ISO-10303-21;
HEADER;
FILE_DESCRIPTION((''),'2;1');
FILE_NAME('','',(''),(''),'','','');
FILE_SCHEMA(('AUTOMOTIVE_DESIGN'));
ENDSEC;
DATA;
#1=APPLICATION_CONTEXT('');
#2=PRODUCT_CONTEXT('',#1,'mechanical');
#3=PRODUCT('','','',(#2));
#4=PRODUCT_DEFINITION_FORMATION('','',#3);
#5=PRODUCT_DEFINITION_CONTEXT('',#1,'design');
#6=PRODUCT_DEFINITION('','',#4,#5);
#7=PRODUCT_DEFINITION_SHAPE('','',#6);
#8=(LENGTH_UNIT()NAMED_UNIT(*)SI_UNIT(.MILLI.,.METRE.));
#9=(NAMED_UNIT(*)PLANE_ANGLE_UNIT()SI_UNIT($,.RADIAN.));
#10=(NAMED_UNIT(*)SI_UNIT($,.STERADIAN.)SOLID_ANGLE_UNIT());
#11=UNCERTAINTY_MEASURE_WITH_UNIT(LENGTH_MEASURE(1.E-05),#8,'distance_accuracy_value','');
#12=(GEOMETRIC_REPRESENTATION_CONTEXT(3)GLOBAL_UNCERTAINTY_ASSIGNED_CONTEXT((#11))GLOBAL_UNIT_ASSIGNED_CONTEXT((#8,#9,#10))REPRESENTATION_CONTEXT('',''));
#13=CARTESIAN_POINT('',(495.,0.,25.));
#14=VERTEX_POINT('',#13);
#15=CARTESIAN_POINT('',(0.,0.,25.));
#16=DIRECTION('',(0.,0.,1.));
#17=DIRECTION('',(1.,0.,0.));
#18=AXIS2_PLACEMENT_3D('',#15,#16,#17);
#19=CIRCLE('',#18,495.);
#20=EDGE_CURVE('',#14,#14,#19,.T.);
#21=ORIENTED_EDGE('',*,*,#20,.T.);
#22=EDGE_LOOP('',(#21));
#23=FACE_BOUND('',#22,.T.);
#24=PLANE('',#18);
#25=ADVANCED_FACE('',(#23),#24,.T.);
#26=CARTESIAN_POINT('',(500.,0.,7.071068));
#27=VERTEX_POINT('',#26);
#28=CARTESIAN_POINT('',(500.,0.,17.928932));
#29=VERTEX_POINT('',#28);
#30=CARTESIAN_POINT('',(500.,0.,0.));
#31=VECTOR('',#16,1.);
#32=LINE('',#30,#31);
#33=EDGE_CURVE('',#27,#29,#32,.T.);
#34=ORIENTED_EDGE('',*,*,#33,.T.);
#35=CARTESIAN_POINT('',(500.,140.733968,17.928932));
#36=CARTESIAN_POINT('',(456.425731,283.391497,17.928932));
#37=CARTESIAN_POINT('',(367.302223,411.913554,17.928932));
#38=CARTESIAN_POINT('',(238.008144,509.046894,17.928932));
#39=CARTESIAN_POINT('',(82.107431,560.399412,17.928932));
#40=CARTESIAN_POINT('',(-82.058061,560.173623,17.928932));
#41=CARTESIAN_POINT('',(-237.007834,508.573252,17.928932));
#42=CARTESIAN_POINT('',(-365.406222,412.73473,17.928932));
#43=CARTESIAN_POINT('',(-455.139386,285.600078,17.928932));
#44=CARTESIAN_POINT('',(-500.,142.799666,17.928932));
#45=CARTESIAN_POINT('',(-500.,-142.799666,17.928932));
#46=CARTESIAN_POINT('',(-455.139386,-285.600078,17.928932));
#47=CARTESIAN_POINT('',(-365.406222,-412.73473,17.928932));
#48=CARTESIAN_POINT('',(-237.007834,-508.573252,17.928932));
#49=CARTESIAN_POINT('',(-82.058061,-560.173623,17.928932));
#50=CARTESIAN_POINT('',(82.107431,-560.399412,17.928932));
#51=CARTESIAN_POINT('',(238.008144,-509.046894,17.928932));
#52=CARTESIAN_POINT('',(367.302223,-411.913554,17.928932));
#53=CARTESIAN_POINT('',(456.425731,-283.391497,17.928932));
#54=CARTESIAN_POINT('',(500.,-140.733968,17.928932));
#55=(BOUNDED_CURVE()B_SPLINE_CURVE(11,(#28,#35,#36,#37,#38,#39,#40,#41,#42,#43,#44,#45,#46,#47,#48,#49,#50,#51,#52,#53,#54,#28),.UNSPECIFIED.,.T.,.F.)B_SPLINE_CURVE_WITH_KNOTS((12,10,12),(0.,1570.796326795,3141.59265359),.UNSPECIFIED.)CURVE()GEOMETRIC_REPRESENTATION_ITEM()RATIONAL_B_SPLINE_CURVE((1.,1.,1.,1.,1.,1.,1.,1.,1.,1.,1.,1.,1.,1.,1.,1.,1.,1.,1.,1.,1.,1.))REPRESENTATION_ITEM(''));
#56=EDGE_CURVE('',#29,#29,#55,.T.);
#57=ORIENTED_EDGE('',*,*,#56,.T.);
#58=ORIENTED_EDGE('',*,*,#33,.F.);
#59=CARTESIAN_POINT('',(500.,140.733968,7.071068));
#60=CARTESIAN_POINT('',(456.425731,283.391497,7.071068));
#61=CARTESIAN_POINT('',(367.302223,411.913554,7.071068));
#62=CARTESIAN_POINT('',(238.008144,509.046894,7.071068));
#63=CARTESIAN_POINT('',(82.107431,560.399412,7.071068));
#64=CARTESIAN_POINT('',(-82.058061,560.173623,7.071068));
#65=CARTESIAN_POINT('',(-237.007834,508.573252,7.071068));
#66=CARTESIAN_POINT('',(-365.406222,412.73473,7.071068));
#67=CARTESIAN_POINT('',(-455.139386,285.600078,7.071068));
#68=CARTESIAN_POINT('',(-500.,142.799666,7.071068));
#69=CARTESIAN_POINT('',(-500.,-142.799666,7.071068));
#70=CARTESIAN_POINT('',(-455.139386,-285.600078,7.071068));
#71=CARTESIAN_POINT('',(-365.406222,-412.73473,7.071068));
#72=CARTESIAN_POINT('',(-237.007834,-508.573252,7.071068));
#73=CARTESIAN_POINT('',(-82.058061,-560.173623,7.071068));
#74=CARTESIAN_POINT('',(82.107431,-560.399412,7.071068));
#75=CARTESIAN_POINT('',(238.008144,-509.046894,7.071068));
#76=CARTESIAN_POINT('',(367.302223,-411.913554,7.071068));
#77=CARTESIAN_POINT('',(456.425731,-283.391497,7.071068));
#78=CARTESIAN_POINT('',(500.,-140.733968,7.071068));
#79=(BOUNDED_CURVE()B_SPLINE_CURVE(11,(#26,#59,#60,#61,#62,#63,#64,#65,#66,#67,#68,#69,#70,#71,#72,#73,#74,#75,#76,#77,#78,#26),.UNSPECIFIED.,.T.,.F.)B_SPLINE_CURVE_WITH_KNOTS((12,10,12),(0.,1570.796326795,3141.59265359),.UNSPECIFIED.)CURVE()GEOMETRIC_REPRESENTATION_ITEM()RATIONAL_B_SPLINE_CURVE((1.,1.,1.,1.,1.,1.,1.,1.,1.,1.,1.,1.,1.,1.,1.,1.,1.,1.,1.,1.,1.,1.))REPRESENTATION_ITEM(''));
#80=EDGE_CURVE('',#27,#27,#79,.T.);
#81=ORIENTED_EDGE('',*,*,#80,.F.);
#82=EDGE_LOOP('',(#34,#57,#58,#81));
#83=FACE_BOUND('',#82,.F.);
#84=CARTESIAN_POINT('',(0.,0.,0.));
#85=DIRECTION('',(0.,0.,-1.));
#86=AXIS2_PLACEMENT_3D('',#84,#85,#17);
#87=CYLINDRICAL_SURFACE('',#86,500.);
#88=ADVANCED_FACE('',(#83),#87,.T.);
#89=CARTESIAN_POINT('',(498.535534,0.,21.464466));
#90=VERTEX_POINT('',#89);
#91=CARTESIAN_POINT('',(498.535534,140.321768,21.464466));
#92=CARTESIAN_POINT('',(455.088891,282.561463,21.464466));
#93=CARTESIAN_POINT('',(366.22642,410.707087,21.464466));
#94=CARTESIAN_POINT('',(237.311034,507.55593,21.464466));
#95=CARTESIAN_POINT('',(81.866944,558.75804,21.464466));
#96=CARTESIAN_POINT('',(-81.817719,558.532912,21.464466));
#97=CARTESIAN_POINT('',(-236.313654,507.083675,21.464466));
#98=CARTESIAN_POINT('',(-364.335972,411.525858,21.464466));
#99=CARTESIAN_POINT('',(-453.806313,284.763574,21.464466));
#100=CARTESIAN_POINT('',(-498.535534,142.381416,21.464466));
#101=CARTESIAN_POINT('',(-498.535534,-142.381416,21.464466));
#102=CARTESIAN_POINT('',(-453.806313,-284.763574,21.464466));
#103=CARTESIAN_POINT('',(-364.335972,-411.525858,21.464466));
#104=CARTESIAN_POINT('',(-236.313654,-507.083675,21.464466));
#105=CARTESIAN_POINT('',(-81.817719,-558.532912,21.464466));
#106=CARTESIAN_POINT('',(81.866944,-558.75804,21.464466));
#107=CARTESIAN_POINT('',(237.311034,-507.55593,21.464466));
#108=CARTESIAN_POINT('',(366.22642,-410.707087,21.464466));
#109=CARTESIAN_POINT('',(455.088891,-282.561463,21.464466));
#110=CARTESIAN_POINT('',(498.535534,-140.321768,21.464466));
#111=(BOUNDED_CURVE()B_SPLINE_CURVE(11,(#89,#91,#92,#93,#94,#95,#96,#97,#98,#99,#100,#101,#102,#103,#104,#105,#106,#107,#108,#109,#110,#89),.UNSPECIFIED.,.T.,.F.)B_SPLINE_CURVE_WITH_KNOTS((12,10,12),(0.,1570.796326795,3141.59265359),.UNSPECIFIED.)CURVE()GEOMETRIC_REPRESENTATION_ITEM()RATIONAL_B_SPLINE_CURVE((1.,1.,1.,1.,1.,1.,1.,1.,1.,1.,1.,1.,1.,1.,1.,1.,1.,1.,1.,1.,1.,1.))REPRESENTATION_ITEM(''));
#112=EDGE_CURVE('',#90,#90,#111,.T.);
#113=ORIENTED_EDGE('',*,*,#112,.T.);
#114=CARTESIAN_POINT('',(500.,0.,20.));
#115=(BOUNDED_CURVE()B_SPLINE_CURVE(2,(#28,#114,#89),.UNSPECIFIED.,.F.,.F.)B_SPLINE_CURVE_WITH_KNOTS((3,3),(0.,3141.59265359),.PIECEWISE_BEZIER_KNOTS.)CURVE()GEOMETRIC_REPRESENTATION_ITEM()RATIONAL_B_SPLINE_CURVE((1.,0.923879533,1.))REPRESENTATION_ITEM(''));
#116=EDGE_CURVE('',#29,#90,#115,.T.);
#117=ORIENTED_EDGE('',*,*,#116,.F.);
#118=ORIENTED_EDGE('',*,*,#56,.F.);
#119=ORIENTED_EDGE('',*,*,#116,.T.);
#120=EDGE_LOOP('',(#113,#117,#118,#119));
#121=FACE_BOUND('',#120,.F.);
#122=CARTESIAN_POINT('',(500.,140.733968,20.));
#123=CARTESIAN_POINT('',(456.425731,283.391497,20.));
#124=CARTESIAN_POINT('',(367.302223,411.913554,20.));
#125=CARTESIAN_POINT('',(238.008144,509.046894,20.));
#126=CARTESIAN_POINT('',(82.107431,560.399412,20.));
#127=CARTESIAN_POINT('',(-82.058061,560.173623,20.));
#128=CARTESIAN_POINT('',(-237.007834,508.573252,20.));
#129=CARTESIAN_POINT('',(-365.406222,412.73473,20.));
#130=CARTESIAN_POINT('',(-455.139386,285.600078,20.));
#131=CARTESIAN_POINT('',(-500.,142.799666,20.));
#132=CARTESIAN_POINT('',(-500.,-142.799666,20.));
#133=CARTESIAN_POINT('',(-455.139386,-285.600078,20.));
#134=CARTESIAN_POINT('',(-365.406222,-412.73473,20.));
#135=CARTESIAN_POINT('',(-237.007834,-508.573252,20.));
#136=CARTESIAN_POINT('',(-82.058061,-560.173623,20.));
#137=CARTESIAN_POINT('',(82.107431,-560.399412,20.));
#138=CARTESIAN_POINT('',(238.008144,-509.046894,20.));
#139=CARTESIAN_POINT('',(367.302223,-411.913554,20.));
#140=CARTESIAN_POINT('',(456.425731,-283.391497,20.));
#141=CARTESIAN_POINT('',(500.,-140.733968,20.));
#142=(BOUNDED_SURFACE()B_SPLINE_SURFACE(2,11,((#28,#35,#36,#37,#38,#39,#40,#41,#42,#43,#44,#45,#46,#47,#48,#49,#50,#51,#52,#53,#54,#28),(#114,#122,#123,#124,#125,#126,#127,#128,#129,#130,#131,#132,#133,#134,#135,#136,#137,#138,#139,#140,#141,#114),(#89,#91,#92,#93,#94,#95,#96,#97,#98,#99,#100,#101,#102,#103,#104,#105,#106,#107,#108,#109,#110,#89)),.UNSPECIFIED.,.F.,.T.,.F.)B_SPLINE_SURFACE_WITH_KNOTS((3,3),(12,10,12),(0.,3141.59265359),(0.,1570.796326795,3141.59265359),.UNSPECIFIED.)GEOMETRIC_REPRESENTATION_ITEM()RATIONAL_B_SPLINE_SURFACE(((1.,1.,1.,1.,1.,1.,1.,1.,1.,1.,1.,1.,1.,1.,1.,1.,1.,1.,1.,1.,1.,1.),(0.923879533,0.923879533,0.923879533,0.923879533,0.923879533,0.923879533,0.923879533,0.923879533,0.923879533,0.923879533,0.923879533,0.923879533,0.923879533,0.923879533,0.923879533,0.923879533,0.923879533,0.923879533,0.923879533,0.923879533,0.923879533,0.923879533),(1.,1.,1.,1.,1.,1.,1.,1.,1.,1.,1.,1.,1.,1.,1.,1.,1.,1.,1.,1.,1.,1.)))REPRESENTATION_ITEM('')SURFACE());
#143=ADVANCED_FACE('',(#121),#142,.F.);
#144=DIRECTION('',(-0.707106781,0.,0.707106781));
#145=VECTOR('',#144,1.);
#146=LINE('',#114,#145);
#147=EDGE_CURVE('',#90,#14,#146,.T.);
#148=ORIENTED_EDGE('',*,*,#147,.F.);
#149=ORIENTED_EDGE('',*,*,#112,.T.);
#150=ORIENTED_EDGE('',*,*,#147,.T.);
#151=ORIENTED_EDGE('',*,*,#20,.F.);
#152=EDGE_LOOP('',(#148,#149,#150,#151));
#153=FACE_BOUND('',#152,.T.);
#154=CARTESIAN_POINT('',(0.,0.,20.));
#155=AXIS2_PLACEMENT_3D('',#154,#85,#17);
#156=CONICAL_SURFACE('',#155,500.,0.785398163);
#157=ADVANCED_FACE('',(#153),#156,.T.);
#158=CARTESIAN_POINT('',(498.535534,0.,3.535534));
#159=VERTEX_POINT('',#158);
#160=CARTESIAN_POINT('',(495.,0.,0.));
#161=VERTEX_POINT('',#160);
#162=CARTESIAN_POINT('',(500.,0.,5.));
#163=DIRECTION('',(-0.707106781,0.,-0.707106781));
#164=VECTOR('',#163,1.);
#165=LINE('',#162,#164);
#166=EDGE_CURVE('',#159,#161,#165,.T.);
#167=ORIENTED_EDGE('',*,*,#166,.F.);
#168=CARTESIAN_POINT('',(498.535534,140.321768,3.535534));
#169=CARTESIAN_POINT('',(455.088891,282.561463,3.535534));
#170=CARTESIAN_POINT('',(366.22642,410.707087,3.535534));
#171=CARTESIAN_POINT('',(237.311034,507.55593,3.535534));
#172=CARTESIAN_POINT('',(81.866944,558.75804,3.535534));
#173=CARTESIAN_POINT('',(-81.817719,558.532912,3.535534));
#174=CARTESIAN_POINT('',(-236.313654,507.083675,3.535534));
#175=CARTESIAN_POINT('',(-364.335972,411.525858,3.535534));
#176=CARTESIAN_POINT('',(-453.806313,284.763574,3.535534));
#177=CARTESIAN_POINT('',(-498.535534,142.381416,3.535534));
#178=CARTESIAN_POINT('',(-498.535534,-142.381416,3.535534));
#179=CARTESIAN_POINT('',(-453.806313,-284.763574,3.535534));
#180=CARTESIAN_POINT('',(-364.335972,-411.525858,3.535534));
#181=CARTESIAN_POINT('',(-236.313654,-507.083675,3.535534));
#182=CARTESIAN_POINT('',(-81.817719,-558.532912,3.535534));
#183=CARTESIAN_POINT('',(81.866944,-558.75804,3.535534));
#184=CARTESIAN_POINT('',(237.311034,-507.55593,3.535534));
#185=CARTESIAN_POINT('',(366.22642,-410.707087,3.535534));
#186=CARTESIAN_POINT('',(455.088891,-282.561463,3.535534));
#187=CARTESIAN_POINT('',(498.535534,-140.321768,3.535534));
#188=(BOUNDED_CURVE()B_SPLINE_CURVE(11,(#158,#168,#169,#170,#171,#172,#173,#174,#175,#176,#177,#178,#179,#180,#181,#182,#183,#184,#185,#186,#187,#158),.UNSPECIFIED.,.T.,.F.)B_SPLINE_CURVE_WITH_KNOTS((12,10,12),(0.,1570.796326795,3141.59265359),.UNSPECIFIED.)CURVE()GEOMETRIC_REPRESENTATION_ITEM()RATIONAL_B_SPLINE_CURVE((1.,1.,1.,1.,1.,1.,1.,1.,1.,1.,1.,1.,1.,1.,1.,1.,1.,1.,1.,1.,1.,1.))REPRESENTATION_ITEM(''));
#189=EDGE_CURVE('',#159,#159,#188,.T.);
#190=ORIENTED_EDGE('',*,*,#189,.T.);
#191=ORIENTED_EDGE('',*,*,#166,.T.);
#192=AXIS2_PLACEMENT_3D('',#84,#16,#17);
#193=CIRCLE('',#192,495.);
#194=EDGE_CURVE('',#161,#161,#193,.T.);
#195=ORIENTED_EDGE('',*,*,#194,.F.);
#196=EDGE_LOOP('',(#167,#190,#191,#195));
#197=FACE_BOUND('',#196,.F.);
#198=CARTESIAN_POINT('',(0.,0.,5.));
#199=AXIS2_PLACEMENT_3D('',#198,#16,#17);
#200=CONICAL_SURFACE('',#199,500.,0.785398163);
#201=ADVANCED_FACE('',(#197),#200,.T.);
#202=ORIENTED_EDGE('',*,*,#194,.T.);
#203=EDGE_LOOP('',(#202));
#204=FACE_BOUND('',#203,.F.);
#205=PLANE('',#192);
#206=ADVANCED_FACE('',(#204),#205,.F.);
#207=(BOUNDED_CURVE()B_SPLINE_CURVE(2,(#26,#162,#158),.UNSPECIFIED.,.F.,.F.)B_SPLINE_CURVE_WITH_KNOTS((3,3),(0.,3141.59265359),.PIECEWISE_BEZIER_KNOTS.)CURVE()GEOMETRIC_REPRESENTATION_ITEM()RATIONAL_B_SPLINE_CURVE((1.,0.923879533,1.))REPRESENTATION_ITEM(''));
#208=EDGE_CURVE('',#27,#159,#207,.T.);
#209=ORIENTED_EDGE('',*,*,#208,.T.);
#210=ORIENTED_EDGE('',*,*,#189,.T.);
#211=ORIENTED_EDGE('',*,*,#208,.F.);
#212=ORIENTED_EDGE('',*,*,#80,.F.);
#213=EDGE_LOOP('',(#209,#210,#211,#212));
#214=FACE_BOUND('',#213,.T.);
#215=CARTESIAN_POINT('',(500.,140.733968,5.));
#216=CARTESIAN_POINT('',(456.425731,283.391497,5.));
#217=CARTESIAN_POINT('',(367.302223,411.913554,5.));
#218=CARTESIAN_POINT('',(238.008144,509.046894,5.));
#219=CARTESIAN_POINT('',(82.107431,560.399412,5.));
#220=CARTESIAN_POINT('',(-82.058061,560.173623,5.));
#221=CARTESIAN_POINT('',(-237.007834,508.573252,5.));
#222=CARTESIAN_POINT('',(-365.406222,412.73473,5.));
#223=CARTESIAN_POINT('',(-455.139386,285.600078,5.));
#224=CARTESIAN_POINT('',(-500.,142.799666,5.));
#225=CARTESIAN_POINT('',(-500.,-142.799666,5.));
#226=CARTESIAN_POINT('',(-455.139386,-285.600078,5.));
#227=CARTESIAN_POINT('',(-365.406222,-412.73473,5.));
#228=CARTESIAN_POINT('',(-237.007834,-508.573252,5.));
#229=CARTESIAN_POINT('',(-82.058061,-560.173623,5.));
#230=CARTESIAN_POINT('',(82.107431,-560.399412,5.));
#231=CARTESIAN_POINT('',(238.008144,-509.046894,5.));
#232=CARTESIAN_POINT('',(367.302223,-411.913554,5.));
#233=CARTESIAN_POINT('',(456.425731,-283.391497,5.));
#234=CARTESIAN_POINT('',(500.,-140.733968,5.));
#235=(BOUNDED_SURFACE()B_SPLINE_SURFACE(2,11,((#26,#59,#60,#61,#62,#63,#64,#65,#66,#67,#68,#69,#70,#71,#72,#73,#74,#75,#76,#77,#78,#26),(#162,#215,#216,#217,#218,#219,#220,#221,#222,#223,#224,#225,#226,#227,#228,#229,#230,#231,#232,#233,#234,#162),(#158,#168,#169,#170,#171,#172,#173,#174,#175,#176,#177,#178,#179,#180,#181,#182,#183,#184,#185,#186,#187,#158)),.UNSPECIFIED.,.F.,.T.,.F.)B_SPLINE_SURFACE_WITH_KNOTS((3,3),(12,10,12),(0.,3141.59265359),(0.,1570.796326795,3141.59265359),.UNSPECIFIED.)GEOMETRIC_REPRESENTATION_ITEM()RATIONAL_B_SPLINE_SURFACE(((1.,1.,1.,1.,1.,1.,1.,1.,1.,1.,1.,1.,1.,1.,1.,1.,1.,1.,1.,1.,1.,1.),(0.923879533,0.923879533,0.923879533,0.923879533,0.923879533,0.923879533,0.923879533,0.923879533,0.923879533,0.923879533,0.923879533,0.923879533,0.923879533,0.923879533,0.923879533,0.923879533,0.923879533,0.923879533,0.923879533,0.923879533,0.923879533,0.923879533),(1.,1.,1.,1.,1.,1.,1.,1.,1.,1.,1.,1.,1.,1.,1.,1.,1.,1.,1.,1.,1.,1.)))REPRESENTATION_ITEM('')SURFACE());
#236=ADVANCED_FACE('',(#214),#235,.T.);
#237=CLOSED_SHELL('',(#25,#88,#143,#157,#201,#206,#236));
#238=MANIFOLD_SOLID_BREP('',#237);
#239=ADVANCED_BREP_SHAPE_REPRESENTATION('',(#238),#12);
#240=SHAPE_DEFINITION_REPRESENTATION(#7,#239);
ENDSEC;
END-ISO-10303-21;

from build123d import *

# Parameters (mm, degrees)
F0_R     = 500
F1_DEPTH = 25
F2_SIZE  = 5
F3_R     = 5


with BuildPart() as f1:
    # F0 (on Top) → F1 (new body)
    with BuildSketch(Plane.XY):
        Circle(F0_R)
    extrude(amount=F1_DEPTH)

    # F2
    f2_edges = [f1.edges().sort_by_distance(p)[0] for p in [
        (-500, 0, 25),
        (-500, 0, 0),
    ]]
    chamfer(f2_edges, length=F2_SIZE)

    # F3
    f3_edges = [f1.edges().sort_by_distance(p)[0] for p in [
        (500, 0, 12.5),
        (-500, 0, 5),
        (-500, 0, 20),
    ]]
    fillet(f3_edges, radius=F3_R)


solid = f1.part
